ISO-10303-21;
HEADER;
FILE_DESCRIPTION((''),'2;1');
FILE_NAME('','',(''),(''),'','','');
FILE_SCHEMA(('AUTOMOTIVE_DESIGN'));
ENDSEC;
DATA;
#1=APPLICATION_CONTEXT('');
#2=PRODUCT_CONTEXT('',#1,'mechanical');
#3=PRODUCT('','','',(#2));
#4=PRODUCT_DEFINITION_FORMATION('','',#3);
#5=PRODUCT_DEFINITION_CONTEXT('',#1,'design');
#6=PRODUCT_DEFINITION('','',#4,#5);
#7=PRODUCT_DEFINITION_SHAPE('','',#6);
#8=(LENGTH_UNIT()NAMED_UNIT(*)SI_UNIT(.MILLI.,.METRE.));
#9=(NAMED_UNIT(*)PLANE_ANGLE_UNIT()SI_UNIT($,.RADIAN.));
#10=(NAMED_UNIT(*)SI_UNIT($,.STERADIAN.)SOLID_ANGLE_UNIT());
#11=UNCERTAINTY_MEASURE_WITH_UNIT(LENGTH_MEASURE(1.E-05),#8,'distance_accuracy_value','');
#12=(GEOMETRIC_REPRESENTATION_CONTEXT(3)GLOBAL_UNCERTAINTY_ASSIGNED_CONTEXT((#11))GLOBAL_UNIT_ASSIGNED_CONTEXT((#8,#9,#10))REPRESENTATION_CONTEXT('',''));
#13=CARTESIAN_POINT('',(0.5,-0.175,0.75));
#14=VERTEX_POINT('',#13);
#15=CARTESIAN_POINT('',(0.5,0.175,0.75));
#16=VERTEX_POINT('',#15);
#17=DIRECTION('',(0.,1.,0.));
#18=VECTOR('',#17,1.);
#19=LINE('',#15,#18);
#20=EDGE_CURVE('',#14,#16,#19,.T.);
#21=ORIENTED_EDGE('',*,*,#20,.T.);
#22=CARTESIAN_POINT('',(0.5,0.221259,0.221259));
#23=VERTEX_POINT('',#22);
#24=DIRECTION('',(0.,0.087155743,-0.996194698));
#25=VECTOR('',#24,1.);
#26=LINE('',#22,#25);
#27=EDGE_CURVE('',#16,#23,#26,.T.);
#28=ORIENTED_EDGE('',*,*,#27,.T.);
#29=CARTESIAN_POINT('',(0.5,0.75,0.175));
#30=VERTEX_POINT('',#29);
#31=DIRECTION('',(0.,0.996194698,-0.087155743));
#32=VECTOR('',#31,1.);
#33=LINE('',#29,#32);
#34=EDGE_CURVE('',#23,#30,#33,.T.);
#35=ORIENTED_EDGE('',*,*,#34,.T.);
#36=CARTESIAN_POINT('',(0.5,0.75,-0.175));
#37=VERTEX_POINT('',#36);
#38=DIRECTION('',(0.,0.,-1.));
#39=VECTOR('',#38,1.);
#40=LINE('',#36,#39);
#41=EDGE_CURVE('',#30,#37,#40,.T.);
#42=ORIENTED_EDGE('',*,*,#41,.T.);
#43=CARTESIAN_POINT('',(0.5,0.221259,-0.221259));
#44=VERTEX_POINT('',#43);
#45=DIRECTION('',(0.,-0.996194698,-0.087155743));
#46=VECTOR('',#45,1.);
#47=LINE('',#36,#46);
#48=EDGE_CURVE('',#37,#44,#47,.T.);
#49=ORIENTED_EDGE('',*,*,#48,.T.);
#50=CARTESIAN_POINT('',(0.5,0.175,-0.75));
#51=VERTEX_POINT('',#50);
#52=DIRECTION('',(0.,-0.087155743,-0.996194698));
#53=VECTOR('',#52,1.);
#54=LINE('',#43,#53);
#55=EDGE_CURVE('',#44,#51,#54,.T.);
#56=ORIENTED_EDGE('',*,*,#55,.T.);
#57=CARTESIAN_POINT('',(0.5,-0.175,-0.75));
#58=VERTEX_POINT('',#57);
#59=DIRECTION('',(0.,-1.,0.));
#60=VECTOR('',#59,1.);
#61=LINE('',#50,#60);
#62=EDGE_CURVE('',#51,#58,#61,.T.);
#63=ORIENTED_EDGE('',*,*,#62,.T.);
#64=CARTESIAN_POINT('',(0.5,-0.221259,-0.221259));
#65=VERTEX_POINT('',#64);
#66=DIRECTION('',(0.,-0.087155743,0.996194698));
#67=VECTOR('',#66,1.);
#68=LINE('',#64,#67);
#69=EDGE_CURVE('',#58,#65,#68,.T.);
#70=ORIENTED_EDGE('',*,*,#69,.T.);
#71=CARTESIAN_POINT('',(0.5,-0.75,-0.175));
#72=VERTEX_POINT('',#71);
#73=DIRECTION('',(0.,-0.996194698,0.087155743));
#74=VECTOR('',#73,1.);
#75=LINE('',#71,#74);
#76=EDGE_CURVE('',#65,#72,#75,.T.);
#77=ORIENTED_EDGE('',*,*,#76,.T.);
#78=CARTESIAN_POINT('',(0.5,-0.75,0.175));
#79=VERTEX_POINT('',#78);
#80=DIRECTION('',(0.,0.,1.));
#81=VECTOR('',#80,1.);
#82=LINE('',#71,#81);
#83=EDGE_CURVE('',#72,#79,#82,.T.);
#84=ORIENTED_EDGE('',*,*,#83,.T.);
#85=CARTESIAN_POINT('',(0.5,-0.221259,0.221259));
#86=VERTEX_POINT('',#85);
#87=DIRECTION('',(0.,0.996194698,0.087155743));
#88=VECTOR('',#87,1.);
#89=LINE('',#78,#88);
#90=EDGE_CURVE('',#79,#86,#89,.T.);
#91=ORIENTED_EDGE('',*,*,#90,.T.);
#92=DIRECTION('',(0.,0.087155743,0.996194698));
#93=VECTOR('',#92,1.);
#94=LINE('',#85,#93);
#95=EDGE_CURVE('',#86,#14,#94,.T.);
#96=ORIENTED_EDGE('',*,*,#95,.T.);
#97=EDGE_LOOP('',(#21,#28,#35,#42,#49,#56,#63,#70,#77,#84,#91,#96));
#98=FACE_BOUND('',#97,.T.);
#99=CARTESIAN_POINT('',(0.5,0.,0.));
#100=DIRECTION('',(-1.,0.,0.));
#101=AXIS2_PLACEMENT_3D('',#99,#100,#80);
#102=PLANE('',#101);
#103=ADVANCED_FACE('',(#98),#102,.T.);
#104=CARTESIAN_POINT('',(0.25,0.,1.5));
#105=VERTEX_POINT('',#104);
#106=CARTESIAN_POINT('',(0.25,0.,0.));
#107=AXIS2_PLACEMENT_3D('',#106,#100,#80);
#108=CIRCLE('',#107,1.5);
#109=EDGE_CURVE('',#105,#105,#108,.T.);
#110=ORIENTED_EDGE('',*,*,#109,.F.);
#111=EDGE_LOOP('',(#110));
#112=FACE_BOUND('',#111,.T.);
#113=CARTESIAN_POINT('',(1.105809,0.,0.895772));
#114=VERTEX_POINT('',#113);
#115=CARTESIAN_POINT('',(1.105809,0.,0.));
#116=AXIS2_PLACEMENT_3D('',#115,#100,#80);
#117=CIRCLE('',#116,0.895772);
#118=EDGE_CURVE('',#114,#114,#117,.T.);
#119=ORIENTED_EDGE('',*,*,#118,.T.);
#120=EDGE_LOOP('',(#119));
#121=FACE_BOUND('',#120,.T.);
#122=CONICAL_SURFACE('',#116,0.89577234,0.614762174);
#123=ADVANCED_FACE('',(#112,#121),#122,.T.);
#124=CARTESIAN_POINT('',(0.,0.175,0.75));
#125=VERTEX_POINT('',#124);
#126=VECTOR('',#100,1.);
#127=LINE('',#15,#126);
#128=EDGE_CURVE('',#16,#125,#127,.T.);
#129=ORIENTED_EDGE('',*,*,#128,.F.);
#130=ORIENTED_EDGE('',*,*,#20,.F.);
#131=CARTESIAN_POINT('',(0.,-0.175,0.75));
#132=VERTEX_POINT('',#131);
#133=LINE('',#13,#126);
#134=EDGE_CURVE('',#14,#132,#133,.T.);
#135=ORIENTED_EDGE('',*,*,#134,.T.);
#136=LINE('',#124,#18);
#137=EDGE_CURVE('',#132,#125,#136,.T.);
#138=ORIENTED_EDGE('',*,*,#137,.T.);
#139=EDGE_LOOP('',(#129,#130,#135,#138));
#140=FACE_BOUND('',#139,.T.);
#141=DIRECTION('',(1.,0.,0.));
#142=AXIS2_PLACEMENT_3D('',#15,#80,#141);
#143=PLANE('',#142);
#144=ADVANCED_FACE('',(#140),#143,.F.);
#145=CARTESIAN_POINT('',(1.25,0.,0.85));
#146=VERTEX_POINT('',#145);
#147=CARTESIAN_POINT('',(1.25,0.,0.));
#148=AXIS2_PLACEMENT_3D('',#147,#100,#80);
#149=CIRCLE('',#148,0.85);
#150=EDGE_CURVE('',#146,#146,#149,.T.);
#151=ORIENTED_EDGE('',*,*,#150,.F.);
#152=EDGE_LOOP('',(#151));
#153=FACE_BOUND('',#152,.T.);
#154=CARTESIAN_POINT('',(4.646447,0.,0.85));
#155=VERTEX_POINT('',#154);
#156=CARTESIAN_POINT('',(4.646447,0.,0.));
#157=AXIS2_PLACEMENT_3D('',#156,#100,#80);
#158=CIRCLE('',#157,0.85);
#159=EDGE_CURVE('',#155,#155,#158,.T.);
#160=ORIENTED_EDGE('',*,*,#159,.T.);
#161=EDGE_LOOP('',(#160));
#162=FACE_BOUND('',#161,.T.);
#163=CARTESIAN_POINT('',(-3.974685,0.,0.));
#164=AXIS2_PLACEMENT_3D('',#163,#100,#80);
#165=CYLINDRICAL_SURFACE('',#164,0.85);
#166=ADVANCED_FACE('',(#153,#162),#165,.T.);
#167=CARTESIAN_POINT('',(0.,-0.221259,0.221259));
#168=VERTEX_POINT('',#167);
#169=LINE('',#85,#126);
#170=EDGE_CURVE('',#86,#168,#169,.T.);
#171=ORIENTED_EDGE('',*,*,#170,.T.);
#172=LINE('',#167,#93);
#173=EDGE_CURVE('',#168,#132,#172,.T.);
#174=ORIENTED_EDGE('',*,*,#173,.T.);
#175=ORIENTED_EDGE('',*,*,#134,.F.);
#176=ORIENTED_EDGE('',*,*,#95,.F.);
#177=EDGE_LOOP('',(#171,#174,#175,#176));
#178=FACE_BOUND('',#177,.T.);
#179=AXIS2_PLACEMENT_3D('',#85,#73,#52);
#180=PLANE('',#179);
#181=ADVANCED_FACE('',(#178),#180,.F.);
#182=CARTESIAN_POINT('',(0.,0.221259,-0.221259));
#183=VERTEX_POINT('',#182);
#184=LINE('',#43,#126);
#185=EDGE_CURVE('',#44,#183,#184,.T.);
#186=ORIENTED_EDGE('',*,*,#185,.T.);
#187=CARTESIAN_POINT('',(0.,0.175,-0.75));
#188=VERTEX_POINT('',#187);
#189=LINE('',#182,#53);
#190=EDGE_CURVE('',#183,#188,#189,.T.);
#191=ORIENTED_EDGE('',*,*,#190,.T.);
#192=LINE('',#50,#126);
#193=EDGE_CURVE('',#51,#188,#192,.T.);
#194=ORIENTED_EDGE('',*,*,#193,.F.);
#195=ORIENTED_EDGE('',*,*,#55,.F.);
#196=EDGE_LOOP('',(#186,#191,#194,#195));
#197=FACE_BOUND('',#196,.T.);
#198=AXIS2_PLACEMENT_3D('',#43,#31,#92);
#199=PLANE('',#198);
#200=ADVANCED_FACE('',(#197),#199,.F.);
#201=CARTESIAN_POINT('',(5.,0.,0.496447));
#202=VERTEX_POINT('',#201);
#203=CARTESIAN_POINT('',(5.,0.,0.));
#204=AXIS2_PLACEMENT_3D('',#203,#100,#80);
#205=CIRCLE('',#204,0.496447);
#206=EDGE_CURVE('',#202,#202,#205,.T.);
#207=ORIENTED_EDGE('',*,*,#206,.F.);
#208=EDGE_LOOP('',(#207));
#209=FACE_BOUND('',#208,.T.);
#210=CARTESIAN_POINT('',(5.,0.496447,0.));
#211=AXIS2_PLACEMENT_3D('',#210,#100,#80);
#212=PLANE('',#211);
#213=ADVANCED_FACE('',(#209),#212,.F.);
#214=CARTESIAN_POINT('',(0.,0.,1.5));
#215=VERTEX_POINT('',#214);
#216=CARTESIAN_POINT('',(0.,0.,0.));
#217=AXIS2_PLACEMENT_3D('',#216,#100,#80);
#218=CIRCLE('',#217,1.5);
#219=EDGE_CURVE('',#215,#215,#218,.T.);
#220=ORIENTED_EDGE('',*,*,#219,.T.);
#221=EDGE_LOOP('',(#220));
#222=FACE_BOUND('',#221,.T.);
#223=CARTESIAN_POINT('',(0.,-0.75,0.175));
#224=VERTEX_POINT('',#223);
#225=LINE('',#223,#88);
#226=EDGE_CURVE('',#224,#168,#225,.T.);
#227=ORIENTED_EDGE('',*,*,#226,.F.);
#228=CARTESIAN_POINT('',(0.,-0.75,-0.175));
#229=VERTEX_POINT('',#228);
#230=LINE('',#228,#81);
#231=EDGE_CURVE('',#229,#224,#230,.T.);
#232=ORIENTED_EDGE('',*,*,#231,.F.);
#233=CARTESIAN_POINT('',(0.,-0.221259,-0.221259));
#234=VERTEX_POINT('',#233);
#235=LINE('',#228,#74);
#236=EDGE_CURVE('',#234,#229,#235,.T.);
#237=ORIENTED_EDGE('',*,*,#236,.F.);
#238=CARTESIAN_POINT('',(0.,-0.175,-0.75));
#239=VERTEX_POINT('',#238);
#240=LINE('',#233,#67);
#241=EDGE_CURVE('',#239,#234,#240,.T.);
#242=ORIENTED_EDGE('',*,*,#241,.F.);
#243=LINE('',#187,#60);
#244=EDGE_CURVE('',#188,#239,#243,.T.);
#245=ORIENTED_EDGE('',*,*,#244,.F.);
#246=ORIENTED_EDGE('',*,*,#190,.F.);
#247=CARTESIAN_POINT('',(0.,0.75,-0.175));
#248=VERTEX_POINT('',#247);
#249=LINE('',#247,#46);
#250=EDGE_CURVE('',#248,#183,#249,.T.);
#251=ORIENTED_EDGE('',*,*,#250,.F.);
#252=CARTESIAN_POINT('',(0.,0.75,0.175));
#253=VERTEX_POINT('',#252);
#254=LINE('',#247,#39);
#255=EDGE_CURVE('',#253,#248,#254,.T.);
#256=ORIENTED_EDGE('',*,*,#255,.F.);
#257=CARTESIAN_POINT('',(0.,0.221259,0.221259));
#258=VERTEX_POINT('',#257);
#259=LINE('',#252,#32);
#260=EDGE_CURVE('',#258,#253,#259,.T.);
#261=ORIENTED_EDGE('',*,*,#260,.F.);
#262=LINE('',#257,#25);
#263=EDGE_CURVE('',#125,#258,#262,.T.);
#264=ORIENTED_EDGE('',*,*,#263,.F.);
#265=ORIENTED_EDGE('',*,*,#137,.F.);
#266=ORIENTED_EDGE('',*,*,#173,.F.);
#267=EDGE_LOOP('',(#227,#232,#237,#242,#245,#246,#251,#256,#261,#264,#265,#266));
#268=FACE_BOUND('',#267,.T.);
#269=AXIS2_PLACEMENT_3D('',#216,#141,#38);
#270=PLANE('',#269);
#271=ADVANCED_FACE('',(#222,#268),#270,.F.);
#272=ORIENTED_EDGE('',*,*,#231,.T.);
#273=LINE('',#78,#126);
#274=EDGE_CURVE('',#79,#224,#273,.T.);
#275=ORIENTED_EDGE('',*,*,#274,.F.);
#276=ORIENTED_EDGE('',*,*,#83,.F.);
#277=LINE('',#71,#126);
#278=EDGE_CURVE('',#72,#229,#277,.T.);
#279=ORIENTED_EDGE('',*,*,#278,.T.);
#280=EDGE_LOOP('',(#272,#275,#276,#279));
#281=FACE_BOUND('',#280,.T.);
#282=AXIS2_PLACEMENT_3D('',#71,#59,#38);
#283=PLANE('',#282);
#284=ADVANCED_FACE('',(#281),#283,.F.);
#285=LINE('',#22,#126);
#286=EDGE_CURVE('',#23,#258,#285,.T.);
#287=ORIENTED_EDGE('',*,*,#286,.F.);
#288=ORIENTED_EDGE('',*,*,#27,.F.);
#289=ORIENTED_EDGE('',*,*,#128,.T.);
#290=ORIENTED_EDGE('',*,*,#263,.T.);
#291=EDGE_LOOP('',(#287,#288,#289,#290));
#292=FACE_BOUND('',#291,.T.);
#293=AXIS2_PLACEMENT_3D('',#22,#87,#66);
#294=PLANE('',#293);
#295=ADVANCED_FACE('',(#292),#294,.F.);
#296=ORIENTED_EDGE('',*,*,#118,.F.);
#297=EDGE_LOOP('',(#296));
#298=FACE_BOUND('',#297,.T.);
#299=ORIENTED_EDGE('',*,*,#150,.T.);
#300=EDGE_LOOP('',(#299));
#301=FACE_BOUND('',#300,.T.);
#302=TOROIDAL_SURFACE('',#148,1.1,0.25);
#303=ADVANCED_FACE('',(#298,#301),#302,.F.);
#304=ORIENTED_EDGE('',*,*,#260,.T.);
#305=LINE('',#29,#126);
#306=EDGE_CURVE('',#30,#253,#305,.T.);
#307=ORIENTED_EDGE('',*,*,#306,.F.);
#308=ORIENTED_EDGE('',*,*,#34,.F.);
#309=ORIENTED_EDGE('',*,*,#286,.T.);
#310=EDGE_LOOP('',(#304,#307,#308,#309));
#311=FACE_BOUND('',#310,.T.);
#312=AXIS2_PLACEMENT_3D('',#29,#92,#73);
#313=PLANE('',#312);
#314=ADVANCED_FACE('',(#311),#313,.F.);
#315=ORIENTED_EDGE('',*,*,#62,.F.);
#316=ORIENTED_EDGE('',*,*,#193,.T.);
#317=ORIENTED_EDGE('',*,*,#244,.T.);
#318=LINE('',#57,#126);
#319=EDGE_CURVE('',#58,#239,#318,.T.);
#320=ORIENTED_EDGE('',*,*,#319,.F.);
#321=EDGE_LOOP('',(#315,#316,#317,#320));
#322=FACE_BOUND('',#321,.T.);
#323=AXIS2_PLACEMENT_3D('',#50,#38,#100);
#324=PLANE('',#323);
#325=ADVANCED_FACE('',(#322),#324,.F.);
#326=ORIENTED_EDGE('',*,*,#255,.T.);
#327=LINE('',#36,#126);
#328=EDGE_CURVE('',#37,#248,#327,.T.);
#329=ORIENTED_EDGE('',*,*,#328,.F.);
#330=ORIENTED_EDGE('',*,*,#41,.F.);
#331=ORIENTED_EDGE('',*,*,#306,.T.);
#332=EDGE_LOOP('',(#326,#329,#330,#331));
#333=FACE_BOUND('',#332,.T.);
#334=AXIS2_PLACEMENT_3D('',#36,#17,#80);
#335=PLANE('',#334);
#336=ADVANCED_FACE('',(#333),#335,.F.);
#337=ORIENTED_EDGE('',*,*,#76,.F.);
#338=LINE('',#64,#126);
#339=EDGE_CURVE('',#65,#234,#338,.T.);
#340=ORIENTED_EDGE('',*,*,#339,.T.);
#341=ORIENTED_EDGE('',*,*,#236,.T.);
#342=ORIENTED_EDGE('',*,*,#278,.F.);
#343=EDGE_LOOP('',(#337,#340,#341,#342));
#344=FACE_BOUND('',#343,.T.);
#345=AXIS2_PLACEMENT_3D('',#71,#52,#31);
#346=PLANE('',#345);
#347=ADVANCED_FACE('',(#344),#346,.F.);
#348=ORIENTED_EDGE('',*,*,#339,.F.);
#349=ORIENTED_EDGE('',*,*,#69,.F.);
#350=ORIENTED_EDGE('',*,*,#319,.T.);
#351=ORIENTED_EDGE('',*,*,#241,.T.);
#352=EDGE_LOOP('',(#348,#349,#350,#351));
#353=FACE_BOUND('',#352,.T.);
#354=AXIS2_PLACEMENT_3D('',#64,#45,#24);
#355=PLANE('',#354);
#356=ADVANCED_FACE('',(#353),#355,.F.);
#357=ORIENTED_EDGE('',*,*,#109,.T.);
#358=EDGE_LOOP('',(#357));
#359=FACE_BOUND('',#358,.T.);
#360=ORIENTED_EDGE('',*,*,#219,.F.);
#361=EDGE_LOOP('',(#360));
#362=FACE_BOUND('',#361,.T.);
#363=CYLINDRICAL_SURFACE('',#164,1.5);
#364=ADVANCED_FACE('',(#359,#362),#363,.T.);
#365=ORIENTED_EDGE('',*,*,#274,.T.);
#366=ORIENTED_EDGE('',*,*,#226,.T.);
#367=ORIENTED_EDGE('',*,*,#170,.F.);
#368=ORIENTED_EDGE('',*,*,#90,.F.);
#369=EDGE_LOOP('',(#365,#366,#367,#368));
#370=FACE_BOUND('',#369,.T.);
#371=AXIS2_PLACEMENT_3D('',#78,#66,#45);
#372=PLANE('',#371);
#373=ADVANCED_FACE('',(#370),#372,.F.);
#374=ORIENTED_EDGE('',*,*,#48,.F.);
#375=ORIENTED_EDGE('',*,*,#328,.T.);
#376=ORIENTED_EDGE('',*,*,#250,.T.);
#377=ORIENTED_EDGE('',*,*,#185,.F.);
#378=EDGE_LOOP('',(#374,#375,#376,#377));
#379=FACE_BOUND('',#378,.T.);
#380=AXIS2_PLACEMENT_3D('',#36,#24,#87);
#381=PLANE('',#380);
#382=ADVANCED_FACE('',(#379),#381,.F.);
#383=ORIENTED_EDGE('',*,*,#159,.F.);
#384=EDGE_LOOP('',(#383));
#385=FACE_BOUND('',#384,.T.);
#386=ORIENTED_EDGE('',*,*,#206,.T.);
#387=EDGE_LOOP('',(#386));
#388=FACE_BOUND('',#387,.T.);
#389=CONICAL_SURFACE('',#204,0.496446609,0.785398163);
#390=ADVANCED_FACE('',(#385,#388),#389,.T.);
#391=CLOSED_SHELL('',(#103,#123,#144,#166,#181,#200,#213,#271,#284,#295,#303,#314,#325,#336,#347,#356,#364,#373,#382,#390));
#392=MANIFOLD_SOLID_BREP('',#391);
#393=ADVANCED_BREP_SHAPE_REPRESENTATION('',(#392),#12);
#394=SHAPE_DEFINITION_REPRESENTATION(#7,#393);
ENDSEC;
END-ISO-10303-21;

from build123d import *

# Parameters (mm, degrees)
CUT_EXTRUDE1_DEPTH = 0.5


with BuildPart() as part:
    # Sketch1 → Revolve1 (revolve)
    with BuildSketch(Plane.XY):
        with BuildLine():
            Line((0, 0), (0, 1.5))
            Line((0, 1.5), (0.25, 1.5))
            Line((0.25, 1.5), (1.105808936, 0.89577234))
            ThreePointArc((1.105808936, 0.89577234), (1.174359121, 0.861717694), (1.25, 0.85))
            Line((1.25, 0.85), (4.646446609, 0.85))
            Line((4.646446609, 0.85), (5, 0.496446609))
            Line((5, 0.496446609), (5, 0))
            Line((5, 0), (0, 0))
        make_face()
    revolve(axis=Axis((-3.974685283, 0, 0), (1, 0, 0)))

    # Sketch2 → Cut-Extrude1 (cut)
    with BuildSketch(Plane.ZY):
        Polygon((-0.175, 0.75), (0.175, 0.75), (0.221258856, 0.221258856), (0.75, 0.175), (0.75, -0.175), (0.221258856, -0.221258856), (0.175, -0.75), (-0.175, -0.75), (-0.221258856, -0.221258856), (-0.75, -0.175), (-0.75, 0.175), (-0.221258856, 0.221258856), align=None)
    extrude(amount=-CUT_EXTRUDE1_DEPTH, mode=Mode.SUBTRACT)


solid = part.part
